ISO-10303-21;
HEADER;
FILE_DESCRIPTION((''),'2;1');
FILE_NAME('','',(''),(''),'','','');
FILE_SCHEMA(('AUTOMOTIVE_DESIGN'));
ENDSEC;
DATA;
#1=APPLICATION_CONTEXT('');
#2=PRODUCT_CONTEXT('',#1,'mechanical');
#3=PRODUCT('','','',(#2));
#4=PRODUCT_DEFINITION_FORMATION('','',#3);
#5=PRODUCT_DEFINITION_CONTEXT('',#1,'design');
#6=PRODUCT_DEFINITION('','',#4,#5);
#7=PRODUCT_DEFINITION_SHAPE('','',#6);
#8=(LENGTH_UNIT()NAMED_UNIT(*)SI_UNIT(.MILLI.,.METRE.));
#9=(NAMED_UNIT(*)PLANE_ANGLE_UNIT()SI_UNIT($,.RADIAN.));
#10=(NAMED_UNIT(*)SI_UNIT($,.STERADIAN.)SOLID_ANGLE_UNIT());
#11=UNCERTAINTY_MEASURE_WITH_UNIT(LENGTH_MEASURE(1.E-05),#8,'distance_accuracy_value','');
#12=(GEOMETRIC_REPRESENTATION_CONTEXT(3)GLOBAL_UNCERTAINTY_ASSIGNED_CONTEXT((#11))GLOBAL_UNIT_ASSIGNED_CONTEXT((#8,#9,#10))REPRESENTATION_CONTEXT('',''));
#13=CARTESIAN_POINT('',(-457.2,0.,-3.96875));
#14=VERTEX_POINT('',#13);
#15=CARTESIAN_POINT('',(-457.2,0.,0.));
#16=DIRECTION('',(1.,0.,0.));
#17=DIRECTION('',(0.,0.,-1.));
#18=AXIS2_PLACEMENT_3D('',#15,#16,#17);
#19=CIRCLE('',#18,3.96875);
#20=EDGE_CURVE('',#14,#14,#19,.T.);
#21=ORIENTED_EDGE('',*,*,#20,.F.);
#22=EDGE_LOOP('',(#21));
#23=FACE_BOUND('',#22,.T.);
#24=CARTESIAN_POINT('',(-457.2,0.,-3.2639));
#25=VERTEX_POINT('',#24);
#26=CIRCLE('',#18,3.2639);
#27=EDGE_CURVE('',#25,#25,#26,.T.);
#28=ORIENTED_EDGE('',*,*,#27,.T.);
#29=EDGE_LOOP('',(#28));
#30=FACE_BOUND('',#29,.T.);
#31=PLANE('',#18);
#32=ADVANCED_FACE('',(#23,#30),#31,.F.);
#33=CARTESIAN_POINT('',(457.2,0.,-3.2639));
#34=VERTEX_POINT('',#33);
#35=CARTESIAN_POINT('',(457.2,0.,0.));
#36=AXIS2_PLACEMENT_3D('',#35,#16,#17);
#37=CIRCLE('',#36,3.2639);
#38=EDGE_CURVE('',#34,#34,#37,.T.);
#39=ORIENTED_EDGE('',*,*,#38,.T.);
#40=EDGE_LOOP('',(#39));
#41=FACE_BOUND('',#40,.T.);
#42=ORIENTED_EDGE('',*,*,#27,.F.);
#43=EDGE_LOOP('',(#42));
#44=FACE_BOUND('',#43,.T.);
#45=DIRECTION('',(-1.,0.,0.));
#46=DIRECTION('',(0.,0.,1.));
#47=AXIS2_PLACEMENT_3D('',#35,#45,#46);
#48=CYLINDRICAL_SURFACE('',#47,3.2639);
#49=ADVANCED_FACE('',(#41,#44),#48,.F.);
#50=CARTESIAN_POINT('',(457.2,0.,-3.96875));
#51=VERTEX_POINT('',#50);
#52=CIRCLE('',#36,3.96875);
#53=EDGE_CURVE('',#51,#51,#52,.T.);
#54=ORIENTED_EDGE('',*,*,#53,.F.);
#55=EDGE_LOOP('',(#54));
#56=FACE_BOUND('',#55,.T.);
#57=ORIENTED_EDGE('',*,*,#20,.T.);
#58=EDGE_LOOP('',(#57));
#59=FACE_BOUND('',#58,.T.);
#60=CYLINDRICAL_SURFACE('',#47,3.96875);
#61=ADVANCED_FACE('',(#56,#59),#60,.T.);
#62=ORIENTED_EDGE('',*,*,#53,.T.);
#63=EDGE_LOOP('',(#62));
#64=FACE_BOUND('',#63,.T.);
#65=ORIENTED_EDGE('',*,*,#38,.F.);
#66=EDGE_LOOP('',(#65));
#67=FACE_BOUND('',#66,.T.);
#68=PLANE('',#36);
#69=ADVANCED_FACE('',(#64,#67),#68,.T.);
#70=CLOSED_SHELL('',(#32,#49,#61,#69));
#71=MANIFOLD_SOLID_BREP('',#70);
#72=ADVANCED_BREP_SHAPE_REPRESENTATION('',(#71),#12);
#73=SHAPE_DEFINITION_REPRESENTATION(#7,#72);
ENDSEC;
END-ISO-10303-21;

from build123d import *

# Parameters (mm, degrees)
SKETCH1_R      = 3.96875
SKETCH1_R_2    = 3.2639
EXTRUDE1_DEPTH = 457.2


with BuildPart() as part:
    # Sketch1 → Extrude1 (new, symmetric)
    with BuildSketch(Plane(origin=(0, 0, 0), x_dir=(0, 0, -1), z_dir=(1, 0, 0))):
        Circle(SKETCH1_R)
        Circle(SKETCH1_R_2, mode=Mode.SUBTRACT)
    extrude(amount=EXTRUDE1_DEPTH, both=True)


solid = part.part
